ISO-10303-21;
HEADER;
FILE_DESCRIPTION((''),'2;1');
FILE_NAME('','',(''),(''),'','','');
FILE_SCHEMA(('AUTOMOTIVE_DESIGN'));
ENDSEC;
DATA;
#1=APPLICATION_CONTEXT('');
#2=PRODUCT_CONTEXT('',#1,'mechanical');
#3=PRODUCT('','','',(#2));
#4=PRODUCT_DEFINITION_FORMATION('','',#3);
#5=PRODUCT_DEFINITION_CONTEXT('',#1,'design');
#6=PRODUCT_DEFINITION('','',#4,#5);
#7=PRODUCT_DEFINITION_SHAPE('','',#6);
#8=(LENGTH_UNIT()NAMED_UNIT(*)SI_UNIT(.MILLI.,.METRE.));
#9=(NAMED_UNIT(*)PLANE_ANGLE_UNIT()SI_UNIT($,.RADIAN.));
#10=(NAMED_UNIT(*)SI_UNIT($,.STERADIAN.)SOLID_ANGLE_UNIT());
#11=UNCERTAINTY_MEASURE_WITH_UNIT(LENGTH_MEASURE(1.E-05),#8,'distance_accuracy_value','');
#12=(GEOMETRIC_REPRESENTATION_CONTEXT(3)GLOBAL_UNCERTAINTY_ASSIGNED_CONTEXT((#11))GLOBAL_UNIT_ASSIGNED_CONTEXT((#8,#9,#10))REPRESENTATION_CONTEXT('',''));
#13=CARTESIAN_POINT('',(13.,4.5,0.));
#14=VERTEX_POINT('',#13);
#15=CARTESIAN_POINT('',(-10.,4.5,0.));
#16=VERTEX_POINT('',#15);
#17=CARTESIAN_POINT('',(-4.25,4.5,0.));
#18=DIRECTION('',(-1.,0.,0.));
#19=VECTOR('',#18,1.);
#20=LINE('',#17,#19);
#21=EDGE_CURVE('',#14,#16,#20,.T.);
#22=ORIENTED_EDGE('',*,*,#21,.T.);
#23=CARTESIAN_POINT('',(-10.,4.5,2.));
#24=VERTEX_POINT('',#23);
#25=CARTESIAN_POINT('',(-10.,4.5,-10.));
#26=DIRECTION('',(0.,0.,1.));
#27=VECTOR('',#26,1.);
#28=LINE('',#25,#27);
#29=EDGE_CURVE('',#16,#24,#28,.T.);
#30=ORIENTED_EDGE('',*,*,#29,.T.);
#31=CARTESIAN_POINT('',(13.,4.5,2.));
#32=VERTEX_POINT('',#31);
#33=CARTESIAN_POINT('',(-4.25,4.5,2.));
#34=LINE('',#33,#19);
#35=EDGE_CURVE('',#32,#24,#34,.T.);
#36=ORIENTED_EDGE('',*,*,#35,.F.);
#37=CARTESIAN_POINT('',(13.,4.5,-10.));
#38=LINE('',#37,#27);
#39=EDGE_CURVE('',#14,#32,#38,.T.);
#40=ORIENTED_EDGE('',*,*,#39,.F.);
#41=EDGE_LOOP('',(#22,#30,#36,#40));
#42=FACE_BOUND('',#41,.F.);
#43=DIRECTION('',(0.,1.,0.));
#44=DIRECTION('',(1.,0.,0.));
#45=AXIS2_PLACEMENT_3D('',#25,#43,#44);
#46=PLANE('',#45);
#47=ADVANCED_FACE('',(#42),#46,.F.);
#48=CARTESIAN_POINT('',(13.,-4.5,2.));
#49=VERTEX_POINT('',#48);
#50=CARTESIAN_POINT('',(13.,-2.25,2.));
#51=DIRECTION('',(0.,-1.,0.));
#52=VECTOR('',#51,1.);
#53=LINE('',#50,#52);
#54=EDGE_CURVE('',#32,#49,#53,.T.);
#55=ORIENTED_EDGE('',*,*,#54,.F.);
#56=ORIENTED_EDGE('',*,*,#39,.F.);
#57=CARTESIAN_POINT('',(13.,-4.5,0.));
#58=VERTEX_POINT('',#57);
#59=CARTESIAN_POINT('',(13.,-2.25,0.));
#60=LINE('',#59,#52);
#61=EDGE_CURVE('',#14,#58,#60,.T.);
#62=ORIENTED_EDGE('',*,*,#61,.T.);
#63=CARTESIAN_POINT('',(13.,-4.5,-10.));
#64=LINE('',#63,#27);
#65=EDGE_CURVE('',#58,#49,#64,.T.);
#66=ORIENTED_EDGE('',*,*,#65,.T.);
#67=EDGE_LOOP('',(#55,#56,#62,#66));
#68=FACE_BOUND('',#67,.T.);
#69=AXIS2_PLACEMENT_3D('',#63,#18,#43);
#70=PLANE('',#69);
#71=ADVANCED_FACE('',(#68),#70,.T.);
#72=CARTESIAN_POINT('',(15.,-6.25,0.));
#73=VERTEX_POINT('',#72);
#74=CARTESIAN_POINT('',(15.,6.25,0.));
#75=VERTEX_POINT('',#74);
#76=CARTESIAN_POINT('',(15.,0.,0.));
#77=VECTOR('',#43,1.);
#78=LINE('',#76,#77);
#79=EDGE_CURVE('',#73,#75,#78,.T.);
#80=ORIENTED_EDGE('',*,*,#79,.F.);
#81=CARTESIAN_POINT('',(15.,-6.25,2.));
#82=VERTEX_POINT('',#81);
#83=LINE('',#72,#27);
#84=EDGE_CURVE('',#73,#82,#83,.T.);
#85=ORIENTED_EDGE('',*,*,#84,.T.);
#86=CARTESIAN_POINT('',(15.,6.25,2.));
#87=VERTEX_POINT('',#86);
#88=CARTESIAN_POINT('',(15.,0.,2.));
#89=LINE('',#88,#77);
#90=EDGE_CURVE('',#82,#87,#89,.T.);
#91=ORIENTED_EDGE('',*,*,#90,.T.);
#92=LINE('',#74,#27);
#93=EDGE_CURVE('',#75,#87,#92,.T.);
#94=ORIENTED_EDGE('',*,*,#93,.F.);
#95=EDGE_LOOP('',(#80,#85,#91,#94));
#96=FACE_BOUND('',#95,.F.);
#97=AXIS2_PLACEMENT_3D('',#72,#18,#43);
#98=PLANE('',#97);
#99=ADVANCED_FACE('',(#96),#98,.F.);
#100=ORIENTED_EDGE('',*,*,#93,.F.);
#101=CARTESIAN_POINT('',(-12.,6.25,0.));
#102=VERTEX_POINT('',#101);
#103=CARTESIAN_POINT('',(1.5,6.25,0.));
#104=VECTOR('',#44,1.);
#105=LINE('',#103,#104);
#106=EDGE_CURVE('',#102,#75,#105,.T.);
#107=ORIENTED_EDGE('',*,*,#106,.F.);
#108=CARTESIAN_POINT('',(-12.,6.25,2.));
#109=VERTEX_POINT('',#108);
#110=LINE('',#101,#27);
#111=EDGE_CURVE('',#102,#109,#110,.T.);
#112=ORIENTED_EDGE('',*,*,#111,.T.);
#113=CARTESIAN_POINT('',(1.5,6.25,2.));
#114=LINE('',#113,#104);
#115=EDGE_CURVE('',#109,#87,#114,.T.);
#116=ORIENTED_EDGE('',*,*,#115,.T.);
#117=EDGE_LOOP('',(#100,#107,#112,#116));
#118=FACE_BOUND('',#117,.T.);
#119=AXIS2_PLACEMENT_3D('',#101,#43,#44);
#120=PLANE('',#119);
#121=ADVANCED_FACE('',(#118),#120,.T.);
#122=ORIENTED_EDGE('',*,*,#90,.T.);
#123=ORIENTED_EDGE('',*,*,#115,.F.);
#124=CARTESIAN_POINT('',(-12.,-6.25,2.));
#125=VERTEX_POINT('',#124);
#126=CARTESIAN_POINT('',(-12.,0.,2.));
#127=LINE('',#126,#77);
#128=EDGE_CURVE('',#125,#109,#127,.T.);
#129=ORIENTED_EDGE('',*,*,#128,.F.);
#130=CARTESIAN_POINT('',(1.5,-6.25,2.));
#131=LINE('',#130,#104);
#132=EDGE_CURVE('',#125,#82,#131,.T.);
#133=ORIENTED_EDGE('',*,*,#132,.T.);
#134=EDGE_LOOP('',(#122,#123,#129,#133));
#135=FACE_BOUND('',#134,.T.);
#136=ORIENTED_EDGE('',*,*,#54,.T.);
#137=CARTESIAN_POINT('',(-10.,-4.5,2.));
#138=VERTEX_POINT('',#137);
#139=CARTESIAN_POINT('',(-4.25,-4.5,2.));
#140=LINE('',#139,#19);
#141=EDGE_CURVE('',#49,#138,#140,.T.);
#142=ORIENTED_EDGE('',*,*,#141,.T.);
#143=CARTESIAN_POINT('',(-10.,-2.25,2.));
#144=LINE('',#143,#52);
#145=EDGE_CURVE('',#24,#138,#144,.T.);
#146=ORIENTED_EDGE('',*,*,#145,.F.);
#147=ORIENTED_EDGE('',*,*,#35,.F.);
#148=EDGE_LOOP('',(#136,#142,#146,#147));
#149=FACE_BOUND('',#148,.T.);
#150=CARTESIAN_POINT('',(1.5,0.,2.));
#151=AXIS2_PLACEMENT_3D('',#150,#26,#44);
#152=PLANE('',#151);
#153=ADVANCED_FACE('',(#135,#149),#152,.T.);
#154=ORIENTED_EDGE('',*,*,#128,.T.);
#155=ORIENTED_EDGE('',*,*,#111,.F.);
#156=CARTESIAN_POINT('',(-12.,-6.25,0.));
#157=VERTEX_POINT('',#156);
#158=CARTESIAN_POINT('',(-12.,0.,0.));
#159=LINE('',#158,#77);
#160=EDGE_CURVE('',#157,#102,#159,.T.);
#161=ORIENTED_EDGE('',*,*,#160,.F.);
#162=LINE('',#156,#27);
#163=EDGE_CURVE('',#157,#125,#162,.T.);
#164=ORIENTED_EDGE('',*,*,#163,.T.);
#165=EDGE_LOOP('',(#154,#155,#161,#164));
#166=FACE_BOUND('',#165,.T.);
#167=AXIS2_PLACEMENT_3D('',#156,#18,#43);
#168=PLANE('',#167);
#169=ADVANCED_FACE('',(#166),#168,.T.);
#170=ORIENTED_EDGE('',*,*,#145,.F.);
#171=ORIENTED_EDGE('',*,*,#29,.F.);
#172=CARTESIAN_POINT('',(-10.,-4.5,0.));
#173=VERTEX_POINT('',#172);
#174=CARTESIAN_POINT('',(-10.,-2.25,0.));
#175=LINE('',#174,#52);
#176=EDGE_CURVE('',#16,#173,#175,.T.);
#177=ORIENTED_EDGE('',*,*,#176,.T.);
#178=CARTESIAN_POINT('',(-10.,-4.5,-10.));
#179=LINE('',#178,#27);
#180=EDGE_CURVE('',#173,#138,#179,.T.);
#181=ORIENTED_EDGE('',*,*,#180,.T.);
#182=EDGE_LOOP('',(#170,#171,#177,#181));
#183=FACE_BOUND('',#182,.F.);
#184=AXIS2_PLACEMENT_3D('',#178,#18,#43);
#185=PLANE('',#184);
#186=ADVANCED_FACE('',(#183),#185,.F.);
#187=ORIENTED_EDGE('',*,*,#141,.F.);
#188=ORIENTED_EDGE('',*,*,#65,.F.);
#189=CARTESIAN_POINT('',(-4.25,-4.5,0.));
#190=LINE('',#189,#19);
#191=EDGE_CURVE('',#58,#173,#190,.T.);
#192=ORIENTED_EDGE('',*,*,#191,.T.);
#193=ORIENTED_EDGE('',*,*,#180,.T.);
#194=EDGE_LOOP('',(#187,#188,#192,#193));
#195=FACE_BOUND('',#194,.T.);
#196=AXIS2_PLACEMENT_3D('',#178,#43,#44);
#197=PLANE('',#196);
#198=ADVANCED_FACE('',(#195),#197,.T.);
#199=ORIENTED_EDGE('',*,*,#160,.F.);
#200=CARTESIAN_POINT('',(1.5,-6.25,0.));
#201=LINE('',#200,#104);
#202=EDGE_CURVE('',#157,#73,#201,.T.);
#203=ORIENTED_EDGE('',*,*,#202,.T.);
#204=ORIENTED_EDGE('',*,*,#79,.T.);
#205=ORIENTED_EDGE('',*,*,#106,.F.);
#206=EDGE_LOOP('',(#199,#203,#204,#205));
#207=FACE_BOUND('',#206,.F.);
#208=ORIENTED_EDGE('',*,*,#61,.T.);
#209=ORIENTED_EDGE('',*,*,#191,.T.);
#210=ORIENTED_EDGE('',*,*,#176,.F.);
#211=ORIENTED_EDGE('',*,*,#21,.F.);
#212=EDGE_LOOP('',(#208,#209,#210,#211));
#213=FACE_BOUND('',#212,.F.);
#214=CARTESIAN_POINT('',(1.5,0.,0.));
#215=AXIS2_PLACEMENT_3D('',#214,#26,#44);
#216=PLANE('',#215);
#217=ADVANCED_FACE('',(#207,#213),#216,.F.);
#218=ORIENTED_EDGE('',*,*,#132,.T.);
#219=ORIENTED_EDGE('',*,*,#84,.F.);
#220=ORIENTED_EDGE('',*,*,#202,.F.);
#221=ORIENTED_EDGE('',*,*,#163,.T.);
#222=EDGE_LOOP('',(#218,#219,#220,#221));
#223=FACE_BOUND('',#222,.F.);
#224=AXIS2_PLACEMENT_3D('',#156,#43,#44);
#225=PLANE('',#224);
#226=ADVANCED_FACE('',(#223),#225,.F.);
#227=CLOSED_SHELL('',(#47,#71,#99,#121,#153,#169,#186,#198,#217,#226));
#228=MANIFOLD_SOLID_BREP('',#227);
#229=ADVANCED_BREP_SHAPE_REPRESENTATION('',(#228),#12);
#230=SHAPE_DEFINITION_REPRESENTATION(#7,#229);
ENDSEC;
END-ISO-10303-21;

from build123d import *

# Parameters (mm, degrees)
SKETCH_W     = 23
SKETCH_H     = 9
PAD_DEPTH    = 30
SKETCH002_W  = 27
SKETCH002_H  = 12.5
PAD002_DEPTH = 2


with BuildPart() as display_hole_clone_body:
    # Sketch → Pad (new body)
    with BuildSketch(Plane.XY):
        with Locations((1.5, 0)):
            Rectangle(SKETCH_W, SKETCH_H)
    extrude(amount=PAD_DEPTH)


with BuildPart() as display_hole_clone_body_1:
    # Body placement: moved
    add(display_hole_clone_body.part.moved(Location((0, 0, -10))))


with BuildPart() as cut002:
    # Sketch002 → Pad002 (new body)
    with BuildSketch(Plane.XY):
        with Locations((1.5, 0)):
            Rectangle(SKETCH002_W, SKETCH002_H)
    extrude(amount=PAD002_DEPTH)

    # Cut002: cut display hole clone body
    add(display_hole_clone_body_1.part, mode=Mode.SUBTRACT)


solid = cut002.part
